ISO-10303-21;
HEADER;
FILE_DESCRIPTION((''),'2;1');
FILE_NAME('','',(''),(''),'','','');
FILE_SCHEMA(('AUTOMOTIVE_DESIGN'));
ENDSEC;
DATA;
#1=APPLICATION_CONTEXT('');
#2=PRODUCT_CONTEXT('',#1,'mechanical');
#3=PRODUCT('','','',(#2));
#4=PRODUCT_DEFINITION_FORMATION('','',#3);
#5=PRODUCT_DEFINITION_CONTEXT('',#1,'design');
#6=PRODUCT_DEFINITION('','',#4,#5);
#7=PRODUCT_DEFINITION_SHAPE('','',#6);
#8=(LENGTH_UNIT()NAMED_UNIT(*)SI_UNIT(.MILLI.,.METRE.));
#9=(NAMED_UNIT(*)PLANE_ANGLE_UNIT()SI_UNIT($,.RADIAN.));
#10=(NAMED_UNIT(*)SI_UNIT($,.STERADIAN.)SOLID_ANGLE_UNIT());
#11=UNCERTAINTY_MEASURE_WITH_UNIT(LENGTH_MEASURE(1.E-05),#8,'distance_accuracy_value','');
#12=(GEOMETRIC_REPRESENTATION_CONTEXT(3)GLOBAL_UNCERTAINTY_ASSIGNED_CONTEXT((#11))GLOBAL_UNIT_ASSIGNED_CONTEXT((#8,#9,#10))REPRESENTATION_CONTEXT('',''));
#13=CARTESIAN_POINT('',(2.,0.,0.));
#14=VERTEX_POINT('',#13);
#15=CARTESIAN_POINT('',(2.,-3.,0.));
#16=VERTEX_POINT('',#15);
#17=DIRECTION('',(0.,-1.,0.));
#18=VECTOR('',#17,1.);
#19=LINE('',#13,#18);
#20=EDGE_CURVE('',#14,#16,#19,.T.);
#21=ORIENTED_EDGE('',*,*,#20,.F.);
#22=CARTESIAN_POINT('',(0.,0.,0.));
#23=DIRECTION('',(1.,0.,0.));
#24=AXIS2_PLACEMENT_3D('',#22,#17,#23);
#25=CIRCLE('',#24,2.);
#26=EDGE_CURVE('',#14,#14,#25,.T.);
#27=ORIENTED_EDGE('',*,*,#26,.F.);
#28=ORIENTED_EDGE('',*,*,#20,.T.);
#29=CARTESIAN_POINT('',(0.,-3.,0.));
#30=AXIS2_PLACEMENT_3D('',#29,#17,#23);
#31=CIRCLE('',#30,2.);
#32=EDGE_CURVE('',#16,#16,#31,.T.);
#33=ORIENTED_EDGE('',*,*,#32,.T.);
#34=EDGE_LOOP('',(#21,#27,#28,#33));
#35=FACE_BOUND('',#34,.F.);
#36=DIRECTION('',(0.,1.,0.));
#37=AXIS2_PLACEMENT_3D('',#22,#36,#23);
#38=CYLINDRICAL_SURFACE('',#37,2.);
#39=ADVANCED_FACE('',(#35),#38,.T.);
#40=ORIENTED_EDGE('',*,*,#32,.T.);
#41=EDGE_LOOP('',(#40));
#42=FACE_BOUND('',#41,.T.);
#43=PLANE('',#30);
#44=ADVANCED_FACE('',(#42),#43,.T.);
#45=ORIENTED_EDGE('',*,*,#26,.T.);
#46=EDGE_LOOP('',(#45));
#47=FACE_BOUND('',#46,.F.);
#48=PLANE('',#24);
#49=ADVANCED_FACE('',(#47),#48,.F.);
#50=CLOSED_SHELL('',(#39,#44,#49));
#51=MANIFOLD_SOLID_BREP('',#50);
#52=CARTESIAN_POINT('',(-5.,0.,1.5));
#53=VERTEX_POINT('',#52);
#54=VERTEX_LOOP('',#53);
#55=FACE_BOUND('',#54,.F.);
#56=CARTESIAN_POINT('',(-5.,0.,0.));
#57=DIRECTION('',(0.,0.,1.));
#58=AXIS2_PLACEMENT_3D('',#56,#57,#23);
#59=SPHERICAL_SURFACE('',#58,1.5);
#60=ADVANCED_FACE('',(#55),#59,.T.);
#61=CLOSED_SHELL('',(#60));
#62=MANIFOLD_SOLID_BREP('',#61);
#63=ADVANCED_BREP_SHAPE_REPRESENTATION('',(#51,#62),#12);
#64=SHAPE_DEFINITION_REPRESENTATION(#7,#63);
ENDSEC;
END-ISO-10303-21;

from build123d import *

# Parameters (mm, degrees)
F1_R     = 2
F2_DEPTH = 3


with BuildPart() as f2:
    # F1 (on Front) → F2 (new body)
    with BuildSketch(Plane.XZ):
        Circle(F1_R)
    extrude(amount=F2_DEPTH)


with BuildPart() as f4:
    # F3 (on Front) → F4 (revolve)
    with BuildSketch(Plane.XZ):
        with BuildLine():
            Line((-5, 1.5), (-5, -1.5))
            ThreePointArc((-5, -1.5), (-3.5, 0), (-5, 1.5))
        make_face()
    revolve(axis=Axis((-5, 0, 0), (0, 0, -1)))


solid = Compound([f2.part, f4.part])
